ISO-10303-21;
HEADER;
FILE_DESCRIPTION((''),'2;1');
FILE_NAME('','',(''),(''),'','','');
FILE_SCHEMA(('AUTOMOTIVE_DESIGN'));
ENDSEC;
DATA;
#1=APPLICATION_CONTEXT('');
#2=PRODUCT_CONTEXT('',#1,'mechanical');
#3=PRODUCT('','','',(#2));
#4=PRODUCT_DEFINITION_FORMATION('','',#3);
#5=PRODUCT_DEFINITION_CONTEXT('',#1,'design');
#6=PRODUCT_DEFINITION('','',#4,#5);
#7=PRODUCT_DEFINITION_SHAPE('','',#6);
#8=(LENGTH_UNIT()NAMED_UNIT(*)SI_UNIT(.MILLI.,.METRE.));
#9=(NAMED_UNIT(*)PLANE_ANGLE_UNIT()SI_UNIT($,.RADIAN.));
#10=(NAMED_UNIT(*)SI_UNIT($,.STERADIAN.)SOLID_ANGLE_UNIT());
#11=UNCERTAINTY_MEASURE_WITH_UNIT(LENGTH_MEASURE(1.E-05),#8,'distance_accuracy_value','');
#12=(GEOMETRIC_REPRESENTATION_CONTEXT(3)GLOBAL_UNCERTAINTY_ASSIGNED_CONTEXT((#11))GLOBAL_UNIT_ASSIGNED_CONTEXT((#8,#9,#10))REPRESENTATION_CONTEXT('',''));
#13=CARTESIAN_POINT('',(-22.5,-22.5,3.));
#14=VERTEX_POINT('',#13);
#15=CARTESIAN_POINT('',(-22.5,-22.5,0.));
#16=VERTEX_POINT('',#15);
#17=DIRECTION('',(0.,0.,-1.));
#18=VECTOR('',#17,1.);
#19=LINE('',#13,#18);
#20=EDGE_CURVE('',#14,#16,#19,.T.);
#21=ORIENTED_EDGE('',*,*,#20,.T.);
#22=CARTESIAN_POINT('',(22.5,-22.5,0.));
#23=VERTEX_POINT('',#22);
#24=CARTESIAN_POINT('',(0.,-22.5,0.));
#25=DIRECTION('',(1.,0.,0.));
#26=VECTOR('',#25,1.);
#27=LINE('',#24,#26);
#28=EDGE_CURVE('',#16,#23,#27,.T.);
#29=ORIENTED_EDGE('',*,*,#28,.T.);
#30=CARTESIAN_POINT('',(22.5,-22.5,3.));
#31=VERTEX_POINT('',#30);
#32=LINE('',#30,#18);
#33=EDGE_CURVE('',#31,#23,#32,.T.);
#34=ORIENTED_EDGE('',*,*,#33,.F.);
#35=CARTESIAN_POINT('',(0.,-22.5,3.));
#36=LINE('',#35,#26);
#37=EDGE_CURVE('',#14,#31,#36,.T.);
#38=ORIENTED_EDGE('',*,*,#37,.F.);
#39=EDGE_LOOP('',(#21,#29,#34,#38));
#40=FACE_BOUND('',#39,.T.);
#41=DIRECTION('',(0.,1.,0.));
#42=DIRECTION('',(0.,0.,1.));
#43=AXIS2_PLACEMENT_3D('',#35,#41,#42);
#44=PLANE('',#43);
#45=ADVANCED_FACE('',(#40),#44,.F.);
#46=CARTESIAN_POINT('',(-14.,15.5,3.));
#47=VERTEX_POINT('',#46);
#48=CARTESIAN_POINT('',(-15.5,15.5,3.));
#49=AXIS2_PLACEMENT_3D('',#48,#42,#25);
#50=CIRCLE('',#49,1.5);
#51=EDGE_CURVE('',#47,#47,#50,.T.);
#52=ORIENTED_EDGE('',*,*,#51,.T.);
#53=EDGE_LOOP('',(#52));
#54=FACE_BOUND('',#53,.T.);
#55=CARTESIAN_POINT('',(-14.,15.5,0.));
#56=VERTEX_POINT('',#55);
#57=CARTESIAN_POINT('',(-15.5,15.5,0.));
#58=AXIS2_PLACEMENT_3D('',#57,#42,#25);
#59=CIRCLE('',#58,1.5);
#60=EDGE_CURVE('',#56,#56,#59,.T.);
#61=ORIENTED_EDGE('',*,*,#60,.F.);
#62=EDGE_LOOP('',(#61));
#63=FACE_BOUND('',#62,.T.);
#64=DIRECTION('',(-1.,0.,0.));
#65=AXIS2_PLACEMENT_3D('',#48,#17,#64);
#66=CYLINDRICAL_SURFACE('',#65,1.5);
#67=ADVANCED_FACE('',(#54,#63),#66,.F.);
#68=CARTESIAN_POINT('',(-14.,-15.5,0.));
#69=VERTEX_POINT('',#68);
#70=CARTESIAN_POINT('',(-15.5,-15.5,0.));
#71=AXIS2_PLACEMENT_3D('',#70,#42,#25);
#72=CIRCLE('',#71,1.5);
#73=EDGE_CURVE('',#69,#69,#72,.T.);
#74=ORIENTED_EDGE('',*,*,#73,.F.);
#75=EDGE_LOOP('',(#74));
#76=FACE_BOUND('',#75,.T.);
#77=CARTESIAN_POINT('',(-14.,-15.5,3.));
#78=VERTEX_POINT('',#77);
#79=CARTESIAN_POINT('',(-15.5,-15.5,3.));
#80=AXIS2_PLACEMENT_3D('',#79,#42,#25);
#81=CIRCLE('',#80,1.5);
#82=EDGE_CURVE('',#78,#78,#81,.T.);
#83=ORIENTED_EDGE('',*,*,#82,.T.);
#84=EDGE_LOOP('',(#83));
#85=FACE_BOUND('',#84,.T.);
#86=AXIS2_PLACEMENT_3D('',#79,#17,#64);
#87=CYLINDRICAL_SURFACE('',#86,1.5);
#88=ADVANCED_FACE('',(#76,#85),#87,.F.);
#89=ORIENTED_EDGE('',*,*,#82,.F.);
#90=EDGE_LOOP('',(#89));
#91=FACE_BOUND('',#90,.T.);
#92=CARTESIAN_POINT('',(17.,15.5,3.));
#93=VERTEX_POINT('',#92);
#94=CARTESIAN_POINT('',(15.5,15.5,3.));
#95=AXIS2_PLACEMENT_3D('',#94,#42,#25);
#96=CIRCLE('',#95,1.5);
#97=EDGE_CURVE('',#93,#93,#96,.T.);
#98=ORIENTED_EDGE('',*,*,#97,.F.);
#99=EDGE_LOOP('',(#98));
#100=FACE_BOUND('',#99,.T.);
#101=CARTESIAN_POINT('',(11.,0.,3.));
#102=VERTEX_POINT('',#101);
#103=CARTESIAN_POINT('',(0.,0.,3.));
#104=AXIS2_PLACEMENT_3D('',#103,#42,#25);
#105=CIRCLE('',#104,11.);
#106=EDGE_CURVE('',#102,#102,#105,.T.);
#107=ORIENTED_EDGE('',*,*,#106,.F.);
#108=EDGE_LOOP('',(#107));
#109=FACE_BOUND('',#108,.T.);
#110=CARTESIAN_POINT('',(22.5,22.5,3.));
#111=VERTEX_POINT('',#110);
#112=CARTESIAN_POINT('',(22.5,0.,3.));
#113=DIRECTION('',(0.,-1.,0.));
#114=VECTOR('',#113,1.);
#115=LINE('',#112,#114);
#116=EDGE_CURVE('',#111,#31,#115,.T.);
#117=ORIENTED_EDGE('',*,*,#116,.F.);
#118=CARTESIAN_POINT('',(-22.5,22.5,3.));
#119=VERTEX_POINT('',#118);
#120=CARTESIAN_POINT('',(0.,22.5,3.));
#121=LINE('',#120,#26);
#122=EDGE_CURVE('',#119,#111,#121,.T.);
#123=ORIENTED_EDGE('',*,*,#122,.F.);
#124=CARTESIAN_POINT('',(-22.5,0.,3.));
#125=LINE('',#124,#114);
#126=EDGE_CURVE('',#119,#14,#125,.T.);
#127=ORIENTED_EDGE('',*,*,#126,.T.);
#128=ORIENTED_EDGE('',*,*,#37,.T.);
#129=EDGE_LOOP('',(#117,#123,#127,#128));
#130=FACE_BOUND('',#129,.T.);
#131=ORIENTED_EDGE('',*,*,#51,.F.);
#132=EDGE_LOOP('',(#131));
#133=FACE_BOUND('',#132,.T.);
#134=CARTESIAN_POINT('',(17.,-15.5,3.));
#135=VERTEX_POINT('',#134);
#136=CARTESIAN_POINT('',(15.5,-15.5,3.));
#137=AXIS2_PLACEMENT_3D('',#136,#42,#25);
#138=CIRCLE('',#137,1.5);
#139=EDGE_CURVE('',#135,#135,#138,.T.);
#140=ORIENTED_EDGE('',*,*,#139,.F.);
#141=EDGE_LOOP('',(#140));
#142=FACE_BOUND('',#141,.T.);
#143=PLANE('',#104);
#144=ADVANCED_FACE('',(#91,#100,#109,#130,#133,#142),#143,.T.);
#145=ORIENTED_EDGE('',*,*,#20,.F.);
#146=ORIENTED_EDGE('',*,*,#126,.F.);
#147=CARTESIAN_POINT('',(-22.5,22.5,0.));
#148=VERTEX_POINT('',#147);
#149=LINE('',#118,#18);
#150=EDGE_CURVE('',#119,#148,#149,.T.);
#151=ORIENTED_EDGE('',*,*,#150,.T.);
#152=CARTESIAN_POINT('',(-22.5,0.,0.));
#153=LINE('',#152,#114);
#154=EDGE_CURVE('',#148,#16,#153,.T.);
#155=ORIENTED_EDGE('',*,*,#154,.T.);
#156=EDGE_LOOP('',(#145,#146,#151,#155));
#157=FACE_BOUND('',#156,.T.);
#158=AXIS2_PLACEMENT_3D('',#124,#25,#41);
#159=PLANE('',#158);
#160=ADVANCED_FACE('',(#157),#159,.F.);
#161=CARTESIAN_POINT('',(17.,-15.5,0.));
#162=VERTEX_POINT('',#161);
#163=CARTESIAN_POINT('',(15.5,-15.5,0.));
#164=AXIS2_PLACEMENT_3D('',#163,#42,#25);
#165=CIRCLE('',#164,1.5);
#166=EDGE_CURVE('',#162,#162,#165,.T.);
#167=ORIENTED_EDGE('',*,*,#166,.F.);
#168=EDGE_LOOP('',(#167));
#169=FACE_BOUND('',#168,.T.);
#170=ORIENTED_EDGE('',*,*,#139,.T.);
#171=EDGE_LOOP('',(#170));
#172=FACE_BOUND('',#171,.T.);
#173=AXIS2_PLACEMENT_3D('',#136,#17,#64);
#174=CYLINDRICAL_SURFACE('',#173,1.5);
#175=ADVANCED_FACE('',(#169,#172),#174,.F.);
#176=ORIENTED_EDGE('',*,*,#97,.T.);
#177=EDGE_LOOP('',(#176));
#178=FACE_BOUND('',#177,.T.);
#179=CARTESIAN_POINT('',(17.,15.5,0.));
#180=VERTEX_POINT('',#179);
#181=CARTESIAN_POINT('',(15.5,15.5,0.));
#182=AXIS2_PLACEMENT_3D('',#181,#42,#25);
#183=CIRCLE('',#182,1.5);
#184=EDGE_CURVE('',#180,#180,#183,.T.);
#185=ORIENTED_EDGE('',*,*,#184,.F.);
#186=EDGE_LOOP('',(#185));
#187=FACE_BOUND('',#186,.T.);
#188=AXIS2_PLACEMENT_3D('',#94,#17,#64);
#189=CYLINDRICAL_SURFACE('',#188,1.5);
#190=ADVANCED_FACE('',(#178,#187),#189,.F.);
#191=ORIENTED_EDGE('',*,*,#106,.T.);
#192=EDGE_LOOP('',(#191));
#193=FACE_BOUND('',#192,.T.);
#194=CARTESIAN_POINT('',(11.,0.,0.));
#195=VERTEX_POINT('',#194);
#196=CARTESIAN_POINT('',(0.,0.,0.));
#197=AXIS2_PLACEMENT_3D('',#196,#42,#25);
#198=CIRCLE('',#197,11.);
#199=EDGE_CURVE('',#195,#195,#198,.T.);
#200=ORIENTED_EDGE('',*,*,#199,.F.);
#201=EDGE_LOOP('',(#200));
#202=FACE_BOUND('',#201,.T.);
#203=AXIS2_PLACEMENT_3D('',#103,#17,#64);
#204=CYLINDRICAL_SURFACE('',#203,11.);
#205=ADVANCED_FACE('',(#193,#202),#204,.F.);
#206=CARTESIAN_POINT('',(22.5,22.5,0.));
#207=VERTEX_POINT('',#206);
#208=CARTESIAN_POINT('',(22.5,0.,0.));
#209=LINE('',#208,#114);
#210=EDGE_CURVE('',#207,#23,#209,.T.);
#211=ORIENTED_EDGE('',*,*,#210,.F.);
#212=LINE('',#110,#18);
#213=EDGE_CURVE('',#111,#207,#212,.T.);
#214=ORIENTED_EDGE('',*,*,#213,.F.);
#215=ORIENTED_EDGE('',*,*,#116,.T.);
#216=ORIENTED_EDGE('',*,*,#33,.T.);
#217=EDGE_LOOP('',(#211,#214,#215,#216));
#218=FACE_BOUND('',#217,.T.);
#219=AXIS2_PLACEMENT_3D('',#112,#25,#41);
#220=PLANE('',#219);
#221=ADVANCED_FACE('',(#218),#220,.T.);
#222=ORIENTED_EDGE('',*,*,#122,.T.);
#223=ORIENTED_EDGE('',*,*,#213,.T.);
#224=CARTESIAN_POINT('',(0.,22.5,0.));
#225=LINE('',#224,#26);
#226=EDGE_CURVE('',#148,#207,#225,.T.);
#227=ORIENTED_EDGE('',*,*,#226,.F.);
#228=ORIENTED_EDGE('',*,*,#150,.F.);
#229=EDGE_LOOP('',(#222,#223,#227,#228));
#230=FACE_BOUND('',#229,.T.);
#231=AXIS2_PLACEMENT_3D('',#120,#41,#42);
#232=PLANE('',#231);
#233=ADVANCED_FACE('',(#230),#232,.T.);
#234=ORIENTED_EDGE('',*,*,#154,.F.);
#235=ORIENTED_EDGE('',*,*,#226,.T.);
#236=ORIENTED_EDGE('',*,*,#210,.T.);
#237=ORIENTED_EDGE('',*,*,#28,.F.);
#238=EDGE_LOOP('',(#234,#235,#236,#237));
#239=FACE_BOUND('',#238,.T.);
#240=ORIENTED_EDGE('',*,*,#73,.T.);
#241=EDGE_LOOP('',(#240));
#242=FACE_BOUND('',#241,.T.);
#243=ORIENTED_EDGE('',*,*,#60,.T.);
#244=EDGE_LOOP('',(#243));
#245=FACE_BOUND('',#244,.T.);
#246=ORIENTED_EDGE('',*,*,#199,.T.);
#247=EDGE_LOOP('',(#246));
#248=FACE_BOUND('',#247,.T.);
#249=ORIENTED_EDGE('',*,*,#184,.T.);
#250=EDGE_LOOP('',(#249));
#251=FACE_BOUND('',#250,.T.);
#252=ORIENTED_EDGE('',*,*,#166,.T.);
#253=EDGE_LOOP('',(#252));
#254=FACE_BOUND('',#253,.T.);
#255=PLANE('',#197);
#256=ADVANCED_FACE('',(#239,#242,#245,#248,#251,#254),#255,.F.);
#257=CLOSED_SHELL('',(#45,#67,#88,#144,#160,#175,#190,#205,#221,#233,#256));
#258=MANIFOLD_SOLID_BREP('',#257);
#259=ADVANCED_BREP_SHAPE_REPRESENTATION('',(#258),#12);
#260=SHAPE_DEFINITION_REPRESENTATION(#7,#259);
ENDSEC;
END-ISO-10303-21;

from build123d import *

# Parameters (mm, degrees)
SKETCH1_W           = 45
SKETCH1_H           = 45
SKETCH1_R           = 11
SKETCH1_R_2         = 1.5
BOSS_EXTRUDE1_DEPTH = 3


with BuildPart() as part:
    # Sketch1 → Boss-Extrude1 (new body)
    with BuildSketch(Plane.XY):
        Rectangle(SKETCH1_W, SKETCH1_H)
        Polygon((20.15, -20.15), (20.15, -16.735786438), (20.15, 16.735786438), (16.735786438, 20.15), (-16.735786438, 20.15), (-20.15, 16.735786438), (-20.15, 16.077064234), (-20.15, -16.735786438), (-20.15, -20.15), (-16.735786438, -20.15), (16.735786438, -20.15), align=None, mode=Mode.SUBTRACT)
        Polygon((16.735786438, -20.15), (20.15, -20.15), (20.15, -16.735786438), (20.15, 16.735786438), (16.735786438, 20.15), (-16.735786438, 20.15), (-20.15, 16.735786438), (-20.15, 16.077064234), (-20.15, -16.735786438), (-20.15, -20.15), (-16.735786438, -20.15), align=None)
        Circle(SKETCH1_R, mode=Mode.SUBTRACT)
        with Locations((15.5, -15.5)):
            Circle(SKETCH1_R_2, mode=Mode.SUBTRACT)
        with Locations((15.5, 15.5)):
            Circle(SKETCH1_R_2, mode=Mode.SUBTRACT)
        with Locations((-15.5, -15.5)):
            Circle(SKETCH1_R_2, mode=Mode.SUBTRACT)
        with Locations((-15.5, 15.5)):
            Circle(SKETCH1_R_2, mode=Mode.SUBTRACT)
    extrude(amount=BOSS_EXTRUDE1_DEPTH)


solid = part.part
